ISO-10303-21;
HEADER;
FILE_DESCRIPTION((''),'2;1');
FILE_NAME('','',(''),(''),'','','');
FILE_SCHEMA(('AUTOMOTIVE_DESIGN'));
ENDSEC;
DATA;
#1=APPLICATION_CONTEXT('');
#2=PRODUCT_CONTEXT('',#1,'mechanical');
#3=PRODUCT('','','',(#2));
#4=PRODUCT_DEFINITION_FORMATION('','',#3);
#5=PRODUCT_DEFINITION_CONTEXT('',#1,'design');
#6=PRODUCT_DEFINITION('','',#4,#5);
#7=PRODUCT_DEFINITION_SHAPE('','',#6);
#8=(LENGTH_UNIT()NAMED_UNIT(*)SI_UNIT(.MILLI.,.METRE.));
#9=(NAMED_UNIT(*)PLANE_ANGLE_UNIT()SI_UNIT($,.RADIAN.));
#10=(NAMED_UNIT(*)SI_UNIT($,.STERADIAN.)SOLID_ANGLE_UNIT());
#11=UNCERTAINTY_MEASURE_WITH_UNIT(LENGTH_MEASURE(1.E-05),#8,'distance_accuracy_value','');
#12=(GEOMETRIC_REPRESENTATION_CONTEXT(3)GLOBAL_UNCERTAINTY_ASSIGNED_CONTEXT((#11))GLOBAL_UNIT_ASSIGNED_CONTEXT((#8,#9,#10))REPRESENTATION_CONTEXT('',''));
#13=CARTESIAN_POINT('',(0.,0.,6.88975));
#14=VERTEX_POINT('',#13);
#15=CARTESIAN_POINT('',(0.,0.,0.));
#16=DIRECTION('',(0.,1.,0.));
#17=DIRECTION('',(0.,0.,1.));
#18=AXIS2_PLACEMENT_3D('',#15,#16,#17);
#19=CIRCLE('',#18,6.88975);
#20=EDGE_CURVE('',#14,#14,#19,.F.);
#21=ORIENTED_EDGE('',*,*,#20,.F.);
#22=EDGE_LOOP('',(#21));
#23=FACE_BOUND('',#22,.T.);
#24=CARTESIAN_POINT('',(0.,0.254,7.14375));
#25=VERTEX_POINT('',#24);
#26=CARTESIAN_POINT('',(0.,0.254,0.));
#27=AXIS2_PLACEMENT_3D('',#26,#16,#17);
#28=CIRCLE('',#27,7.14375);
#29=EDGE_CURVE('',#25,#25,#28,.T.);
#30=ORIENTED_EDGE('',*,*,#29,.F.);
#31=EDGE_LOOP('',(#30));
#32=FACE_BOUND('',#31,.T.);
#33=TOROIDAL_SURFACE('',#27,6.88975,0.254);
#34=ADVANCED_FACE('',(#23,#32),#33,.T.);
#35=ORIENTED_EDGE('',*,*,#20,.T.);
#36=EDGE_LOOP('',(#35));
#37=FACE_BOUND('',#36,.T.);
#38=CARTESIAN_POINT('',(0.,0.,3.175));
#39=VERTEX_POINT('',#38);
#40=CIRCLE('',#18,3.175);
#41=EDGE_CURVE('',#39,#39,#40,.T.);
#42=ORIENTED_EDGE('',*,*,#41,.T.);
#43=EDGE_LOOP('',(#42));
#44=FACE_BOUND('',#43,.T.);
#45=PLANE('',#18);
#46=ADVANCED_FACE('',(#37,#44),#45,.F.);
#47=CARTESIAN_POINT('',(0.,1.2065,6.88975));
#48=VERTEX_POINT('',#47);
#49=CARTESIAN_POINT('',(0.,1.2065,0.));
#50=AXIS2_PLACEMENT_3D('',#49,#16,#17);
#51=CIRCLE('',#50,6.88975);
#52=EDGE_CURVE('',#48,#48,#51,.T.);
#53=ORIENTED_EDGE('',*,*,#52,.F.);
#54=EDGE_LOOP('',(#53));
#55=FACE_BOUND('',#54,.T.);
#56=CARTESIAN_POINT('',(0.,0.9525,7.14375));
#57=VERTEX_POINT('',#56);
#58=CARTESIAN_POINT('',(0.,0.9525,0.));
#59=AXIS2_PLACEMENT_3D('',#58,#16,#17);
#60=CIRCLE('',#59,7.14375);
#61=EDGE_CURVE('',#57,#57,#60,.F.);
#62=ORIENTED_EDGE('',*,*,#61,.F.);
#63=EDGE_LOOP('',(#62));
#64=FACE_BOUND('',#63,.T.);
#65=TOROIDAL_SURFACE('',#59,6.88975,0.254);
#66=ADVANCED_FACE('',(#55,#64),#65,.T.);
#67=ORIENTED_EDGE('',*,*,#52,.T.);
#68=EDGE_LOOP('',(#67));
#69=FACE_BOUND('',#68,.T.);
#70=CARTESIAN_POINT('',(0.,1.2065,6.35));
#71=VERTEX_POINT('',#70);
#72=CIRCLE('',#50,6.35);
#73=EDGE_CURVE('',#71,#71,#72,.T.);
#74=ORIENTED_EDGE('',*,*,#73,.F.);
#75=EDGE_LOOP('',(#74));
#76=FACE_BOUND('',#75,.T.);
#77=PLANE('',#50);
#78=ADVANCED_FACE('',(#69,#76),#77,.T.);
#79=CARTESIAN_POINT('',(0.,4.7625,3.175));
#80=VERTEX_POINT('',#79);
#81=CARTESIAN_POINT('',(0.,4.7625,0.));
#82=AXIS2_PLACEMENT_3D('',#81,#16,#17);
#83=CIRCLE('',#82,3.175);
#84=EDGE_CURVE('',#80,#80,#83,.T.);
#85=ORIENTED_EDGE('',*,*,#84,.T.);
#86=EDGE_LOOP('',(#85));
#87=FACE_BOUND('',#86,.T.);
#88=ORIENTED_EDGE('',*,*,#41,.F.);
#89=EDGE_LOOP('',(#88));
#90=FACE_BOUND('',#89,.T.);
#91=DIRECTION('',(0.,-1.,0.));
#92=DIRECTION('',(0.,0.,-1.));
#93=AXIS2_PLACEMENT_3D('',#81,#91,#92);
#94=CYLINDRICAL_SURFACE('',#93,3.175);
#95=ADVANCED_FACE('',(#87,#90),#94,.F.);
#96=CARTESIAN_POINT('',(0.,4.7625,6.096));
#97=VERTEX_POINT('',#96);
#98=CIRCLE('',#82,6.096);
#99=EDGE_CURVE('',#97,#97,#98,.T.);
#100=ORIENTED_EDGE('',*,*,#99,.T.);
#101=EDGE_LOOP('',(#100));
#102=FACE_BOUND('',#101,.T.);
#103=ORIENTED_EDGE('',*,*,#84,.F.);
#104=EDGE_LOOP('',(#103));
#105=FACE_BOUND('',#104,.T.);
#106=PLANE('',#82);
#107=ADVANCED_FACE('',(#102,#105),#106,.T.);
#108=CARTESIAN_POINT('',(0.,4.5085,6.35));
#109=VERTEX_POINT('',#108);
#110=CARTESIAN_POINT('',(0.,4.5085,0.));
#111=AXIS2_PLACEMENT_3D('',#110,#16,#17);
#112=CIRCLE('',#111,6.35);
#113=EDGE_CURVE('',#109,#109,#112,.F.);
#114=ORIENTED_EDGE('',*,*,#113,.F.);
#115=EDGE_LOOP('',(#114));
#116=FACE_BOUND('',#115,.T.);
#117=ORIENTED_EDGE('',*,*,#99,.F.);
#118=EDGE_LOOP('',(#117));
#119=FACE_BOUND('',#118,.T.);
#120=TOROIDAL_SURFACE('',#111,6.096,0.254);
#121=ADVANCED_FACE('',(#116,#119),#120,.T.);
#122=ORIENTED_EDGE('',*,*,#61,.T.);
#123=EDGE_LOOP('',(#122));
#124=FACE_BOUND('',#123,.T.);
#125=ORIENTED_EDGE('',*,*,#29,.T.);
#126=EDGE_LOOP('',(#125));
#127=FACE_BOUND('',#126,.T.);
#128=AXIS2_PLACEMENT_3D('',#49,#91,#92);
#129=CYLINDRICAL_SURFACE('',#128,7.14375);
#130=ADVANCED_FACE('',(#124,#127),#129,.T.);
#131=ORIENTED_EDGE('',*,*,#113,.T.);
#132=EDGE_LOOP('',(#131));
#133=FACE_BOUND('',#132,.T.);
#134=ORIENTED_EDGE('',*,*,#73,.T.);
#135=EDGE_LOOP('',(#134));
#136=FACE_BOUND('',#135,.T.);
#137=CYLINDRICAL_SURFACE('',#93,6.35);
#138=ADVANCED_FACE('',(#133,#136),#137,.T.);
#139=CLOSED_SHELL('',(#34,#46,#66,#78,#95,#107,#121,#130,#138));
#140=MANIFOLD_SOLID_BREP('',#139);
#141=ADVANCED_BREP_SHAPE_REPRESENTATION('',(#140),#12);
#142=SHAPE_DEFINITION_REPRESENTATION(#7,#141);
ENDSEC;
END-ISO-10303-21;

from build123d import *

# Parameters (mm, degrees)
SKETCH1_R           = 6.35
SKETCH1_R_2         = 3.175
BOSS_EXTRUDE1_DEPTH = 4.7625
SKETCH1_3_R         = 7.14375
SKETCH1_3_R_2       = 6.35
BOSS_EXTRUDE2_DEPTH = 1.2065
FILLET1_R           = 0.254


with BuildPart() as part:
    # Sketch1 → Boss-Extrude1 (new body)
    with BuildSketch(Plane(origin=(0, 0, 0), x_dir=(1, 0, 0), z_dir=(0, 1, 0))):
        Circle(SKETCH1_R)
        Circle(SKETCH1_R_2, mode=Mode.SUBTRACT)
    extrude(amount=BOSS_EXTRUDE1_DEPTH)

    # Sketch1<3> → Boss-Extrude2 (add)
    with BuildSketch(Plane(origin=(0, 0, 0), x_dir=(1, 0, 0), z_dir=(0, 1, 0))):
        Circle(SKETCH1_3_R)
        Circle(SKETCH1_3_R_2, mode=Mode.SUBTRACT)
    extrude(amount=BOSS_EXTRUDE2_DEPTH)

    # Fillet1
    fillet1_edges = [part.edges().sort_by_distance(p)[0] for p in [
        (-7.14375, 1.2065, 0),
        (-6.35, 4.7625, 0),
        (-7.14375, 0, 0),
    ]]
    fillet(fillet1_edges, radius=FILLET1_R)


solid = part.part
